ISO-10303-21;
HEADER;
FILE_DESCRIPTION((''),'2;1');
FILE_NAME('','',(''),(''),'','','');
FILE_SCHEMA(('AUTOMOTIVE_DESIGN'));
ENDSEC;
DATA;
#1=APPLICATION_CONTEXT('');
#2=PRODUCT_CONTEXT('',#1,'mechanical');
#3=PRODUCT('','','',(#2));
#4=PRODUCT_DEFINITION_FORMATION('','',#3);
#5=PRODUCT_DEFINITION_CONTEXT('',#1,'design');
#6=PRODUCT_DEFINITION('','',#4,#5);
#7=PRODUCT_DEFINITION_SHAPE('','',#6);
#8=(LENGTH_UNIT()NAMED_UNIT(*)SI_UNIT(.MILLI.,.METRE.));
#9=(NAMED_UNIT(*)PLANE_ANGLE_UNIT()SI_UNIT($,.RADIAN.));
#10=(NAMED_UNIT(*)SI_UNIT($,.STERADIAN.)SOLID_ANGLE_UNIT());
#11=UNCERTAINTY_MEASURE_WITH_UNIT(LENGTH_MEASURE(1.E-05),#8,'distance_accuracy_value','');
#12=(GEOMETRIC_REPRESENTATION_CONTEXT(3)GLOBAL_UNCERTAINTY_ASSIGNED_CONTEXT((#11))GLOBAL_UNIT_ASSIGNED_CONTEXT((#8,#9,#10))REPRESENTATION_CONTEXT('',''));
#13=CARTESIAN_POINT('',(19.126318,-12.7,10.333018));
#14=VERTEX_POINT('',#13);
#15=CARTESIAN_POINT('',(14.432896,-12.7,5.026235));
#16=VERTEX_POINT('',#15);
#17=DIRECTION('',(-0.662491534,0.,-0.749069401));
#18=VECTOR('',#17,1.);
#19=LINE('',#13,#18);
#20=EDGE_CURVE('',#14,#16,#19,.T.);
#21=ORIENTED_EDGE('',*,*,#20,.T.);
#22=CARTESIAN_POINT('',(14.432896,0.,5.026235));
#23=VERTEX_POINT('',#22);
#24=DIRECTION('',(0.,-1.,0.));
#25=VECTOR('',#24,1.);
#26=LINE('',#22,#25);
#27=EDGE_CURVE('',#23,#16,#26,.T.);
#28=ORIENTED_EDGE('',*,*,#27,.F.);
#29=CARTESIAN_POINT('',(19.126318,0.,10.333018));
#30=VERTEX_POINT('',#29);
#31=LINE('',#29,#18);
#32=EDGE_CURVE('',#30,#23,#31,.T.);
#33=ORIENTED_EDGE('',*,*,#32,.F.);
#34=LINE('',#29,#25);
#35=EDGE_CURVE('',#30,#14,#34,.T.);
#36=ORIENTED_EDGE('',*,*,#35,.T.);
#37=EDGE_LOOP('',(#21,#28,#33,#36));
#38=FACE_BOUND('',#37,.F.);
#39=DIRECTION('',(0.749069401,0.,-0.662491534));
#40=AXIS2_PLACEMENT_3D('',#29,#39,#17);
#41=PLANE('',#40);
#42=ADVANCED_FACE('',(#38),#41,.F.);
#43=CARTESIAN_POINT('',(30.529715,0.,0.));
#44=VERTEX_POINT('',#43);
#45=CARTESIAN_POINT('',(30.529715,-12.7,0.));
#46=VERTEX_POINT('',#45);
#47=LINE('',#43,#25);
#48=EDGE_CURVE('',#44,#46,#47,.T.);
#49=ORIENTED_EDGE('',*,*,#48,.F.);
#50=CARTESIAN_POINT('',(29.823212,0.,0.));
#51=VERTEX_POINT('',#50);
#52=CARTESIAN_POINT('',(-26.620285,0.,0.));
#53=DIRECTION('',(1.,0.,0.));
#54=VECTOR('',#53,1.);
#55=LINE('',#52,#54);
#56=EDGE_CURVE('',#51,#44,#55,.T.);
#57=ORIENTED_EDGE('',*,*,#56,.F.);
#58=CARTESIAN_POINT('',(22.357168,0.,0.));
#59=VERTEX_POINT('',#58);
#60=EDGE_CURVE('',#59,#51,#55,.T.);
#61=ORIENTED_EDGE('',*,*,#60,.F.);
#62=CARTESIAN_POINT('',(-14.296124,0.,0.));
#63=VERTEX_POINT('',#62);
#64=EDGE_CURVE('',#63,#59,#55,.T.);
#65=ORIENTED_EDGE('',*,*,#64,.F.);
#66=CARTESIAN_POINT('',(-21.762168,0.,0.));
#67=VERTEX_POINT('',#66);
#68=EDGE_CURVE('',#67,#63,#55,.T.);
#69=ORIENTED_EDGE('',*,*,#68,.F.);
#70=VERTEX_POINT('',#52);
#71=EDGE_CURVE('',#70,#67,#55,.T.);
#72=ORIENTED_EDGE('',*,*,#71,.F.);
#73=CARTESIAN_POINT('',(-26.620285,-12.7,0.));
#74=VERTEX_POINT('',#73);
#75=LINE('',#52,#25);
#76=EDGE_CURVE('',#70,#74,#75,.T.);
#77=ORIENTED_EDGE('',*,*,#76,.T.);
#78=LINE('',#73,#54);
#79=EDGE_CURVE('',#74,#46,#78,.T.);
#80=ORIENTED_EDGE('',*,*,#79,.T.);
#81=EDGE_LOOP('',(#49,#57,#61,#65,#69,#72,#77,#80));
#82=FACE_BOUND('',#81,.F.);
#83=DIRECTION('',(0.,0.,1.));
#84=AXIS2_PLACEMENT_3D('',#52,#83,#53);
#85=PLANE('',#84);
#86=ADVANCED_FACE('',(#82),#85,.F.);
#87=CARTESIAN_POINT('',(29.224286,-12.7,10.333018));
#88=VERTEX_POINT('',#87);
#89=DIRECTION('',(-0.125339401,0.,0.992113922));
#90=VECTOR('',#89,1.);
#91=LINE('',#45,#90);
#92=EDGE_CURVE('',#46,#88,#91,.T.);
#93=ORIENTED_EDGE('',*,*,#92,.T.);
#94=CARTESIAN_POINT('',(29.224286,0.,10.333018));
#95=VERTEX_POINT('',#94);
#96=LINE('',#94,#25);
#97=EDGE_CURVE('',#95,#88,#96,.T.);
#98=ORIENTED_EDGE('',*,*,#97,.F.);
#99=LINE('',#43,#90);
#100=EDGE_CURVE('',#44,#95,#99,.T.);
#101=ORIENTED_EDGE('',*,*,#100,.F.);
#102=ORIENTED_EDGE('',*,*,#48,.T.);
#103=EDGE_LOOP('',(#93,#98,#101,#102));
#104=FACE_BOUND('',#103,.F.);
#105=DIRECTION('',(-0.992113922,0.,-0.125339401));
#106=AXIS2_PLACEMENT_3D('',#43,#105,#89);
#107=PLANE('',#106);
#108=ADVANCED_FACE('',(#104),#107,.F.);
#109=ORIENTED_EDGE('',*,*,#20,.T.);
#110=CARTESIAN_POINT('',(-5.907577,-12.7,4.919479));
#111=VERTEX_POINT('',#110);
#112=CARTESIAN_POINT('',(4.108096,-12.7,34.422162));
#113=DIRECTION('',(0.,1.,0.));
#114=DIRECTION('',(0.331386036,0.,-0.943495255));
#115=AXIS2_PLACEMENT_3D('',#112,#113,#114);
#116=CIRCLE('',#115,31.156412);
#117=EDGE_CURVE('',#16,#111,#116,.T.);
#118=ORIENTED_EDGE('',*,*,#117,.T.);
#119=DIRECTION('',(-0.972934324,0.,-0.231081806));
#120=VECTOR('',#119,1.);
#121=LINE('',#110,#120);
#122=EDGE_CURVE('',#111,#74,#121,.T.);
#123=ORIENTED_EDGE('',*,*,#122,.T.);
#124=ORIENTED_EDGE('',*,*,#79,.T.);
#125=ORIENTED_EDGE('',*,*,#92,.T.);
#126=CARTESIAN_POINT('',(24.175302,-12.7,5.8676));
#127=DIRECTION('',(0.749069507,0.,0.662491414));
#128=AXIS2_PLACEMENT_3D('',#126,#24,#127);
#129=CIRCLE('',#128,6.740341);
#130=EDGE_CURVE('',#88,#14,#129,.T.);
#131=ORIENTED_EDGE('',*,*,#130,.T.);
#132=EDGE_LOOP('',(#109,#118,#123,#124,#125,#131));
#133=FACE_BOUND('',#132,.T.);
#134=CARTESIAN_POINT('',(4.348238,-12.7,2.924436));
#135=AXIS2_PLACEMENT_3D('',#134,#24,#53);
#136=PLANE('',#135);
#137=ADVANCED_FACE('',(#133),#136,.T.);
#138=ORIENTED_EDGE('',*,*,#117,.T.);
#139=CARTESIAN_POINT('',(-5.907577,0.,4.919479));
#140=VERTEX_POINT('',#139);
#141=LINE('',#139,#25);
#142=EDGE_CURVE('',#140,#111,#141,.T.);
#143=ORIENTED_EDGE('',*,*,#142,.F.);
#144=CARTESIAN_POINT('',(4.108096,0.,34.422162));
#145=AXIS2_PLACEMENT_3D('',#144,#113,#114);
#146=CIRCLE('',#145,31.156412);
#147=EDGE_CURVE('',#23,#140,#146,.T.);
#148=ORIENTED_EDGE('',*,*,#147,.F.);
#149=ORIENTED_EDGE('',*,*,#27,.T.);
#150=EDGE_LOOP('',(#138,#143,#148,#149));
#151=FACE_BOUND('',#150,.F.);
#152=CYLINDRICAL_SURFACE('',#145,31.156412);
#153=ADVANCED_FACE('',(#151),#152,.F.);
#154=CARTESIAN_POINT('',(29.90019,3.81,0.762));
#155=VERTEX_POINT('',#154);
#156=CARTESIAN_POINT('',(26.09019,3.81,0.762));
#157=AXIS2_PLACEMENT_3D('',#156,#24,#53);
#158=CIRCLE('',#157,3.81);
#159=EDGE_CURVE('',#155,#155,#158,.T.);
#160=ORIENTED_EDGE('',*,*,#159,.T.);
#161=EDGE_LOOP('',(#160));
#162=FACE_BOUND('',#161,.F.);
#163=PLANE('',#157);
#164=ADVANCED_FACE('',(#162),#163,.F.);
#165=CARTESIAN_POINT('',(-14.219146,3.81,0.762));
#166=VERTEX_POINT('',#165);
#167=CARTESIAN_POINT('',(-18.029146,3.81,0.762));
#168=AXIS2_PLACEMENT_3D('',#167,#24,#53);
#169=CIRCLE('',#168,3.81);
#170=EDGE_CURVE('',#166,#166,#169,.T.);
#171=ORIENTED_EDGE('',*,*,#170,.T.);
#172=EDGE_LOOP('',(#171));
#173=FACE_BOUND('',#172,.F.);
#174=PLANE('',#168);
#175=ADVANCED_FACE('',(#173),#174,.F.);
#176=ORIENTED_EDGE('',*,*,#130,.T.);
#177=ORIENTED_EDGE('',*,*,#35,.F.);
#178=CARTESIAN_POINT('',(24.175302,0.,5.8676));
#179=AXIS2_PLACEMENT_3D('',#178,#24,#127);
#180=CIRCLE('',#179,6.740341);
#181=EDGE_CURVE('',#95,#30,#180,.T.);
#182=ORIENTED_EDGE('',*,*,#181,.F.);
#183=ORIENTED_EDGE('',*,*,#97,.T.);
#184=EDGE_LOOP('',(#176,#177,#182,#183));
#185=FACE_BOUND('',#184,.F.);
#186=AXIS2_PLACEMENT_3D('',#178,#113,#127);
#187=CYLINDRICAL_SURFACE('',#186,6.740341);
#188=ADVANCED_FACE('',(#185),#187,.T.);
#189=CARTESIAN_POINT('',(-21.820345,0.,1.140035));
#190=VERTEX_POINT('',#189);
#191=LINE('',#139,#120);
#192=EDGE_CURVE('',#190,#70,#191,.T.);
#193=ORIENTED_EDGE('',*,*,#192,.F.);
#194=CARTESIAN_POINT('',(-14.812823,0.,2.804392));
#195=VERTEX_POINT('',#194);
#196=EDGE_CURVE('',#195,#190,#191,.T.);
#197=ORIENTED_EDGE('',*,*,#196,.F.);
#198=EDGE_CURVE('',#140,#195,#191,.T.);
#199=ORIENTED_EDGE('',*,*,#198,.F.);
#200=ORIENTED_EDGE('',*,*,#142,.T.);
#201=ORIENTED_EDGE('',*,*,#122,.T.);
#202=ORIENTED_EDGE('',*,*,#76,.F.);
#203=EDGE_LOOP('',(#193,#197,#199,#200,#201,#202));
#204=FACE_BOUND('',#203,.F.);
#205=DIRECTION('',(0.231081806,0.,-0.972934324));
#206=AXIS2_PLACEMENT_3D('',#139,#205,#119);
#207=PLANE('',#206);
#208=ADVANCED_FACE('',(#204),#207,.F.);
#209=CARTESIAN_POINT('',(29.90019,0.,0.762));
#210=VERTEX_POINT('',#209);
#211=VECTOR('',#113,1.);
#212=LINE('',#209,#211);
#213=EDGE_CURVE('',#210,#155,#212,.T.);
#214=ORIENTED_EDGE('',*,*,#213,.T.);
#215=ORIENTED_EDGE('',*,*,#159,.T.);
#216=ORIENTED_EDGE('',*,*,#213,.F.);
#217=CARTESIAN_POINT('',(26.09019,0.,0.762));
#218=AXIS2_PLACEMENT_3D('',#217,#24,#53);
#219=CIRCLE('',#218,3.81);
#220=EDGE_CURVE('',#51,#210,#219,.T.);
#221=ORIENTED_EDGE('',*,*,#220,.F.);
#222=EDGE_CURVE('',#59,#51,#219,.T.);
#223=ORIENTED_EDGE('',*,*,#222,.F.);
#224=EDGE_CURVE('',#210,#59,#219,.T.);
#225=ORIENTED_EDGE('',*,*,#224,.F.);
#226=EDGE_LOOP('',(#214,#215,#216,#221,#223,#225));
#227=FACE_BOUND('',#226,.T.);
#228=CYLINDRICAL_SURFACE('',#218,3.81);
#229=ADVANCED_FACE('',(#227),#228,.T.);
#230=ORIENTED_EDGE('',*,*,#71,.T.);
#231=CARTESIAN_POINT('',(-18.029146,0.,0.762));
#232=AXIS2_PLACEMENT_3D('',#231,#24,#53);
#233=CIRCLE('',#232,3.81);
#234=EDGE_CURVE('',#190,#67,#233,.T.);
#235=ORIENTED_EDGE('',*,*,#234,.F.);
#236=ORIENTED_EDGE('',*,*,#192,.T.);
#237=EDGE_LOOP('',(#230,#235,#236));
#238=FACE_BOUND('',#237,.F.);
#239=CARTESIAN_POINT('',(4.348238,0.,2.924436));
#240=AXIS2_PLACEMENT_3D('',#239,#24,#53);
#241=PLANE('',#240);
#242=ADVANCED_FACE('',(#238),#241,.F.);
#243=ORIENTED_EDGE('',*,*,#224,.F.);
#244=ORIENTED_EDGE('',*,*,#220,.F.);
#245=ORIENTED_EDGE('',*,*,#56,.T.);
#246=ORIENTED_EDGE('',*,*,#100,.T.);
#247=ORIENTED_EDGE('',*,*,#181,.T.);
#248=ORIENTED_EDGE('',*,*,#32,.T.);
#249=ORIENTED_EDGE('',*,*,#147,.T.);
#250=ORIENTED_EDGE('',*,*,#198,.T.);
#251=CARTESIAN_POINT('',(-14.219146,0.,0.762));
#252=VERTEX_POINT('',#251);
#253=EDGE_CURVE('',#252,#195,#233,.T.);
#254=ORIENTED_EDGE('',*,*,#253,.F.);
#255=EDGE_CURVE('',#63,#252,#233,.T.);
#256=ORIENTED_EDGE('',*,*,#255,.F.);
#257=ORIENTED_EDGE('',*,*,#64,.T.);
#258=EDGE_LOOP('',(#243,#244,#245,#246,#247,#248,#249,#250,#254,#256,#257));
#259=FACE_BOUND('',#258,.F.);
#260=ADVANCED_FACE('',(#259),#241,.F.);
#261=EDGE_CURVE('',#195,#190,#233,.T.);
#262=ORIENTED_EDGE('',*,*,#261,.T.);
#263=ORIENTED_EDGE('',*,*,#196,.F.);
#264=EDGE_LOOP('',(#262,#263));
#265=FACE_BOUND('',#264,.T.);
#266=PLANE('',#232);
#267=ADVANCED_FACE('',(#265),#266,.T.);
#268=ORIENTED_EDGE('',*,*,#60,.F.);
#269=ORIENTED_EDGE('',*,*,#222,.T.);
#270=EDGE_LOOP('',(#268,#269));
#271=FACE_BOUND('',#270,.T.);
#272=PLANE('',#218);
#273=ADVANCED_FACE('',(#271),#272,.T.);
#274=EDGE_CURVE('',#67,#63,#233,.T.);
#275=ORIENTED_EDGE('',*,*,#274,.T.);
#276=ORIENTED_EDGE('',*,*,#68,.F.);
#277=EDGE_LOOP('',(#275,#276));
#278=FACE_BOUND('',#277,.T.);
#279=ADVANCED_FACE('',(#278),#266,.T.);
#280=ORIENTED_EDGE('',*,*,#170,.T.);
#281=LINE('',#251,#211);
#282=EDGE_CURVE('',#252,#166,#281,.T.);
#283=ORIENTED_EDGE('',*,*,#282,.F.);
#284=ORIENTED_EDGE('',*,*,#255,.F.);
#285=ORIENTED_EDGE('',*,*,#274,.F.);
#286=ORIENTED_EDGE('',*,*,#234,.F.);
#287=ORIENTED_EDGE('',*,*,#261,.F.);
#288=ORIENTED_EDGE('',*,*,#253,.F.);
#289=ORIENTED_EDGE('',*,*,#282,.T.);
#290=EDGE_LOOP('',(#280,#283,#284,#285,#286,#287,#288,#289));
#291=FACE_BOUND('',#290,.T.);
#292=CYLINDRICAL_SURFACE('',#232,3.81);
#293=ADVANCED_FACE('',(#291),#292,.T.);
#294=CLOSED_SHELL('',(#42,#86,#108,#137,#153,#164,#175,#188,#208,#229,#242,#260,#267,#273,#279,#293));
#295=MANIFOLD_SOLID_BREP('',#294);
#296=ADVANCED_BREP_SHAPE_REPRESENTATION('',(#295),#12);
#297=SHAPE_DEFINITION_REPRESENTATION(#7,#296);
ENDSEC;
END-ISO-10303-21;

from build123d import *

# Parameters (mm, degrees)
F1_DEPTH = 12.7
F2_R     = 3.81
F3_DEPTH = 3.81


with BuildPart() as f1:
    # F0 (on Front) → F1 (new body)
    with BuildSketch(Plane.XZ):
        with BuildLine():
            Line((-5.907577, 4.919479), (-26.620285, 0))
            Line((-26.620285, 0), (30.529715, 0))
            Line((30.529715, 0), (29.224286, 10.333018))
            ThreePointArc((29.224286, 10.333018), (24.175302, 12.607941), (19.126318, 10.333018))
            Line((19.126318, 10.333018), (14.432896, 5.026235))
            ThreePointArc((14.432896, 5.026235), (4.271617, 3.266179), (-5.907577, 4.919479))
        make_face()
    extrude(amount=F1_DEPTH)

    # F2 (on face) → F3 (join)
    with BuildSketch(Plane.XZ):
        with Locations((-18.029146, 0.762)):
            Circle(F2_R)
        with Locations((26.09019, 0.762)):
            Circle(F2_R)
    extrude(amount=-F3_DEPTH)


solid = f1.part
